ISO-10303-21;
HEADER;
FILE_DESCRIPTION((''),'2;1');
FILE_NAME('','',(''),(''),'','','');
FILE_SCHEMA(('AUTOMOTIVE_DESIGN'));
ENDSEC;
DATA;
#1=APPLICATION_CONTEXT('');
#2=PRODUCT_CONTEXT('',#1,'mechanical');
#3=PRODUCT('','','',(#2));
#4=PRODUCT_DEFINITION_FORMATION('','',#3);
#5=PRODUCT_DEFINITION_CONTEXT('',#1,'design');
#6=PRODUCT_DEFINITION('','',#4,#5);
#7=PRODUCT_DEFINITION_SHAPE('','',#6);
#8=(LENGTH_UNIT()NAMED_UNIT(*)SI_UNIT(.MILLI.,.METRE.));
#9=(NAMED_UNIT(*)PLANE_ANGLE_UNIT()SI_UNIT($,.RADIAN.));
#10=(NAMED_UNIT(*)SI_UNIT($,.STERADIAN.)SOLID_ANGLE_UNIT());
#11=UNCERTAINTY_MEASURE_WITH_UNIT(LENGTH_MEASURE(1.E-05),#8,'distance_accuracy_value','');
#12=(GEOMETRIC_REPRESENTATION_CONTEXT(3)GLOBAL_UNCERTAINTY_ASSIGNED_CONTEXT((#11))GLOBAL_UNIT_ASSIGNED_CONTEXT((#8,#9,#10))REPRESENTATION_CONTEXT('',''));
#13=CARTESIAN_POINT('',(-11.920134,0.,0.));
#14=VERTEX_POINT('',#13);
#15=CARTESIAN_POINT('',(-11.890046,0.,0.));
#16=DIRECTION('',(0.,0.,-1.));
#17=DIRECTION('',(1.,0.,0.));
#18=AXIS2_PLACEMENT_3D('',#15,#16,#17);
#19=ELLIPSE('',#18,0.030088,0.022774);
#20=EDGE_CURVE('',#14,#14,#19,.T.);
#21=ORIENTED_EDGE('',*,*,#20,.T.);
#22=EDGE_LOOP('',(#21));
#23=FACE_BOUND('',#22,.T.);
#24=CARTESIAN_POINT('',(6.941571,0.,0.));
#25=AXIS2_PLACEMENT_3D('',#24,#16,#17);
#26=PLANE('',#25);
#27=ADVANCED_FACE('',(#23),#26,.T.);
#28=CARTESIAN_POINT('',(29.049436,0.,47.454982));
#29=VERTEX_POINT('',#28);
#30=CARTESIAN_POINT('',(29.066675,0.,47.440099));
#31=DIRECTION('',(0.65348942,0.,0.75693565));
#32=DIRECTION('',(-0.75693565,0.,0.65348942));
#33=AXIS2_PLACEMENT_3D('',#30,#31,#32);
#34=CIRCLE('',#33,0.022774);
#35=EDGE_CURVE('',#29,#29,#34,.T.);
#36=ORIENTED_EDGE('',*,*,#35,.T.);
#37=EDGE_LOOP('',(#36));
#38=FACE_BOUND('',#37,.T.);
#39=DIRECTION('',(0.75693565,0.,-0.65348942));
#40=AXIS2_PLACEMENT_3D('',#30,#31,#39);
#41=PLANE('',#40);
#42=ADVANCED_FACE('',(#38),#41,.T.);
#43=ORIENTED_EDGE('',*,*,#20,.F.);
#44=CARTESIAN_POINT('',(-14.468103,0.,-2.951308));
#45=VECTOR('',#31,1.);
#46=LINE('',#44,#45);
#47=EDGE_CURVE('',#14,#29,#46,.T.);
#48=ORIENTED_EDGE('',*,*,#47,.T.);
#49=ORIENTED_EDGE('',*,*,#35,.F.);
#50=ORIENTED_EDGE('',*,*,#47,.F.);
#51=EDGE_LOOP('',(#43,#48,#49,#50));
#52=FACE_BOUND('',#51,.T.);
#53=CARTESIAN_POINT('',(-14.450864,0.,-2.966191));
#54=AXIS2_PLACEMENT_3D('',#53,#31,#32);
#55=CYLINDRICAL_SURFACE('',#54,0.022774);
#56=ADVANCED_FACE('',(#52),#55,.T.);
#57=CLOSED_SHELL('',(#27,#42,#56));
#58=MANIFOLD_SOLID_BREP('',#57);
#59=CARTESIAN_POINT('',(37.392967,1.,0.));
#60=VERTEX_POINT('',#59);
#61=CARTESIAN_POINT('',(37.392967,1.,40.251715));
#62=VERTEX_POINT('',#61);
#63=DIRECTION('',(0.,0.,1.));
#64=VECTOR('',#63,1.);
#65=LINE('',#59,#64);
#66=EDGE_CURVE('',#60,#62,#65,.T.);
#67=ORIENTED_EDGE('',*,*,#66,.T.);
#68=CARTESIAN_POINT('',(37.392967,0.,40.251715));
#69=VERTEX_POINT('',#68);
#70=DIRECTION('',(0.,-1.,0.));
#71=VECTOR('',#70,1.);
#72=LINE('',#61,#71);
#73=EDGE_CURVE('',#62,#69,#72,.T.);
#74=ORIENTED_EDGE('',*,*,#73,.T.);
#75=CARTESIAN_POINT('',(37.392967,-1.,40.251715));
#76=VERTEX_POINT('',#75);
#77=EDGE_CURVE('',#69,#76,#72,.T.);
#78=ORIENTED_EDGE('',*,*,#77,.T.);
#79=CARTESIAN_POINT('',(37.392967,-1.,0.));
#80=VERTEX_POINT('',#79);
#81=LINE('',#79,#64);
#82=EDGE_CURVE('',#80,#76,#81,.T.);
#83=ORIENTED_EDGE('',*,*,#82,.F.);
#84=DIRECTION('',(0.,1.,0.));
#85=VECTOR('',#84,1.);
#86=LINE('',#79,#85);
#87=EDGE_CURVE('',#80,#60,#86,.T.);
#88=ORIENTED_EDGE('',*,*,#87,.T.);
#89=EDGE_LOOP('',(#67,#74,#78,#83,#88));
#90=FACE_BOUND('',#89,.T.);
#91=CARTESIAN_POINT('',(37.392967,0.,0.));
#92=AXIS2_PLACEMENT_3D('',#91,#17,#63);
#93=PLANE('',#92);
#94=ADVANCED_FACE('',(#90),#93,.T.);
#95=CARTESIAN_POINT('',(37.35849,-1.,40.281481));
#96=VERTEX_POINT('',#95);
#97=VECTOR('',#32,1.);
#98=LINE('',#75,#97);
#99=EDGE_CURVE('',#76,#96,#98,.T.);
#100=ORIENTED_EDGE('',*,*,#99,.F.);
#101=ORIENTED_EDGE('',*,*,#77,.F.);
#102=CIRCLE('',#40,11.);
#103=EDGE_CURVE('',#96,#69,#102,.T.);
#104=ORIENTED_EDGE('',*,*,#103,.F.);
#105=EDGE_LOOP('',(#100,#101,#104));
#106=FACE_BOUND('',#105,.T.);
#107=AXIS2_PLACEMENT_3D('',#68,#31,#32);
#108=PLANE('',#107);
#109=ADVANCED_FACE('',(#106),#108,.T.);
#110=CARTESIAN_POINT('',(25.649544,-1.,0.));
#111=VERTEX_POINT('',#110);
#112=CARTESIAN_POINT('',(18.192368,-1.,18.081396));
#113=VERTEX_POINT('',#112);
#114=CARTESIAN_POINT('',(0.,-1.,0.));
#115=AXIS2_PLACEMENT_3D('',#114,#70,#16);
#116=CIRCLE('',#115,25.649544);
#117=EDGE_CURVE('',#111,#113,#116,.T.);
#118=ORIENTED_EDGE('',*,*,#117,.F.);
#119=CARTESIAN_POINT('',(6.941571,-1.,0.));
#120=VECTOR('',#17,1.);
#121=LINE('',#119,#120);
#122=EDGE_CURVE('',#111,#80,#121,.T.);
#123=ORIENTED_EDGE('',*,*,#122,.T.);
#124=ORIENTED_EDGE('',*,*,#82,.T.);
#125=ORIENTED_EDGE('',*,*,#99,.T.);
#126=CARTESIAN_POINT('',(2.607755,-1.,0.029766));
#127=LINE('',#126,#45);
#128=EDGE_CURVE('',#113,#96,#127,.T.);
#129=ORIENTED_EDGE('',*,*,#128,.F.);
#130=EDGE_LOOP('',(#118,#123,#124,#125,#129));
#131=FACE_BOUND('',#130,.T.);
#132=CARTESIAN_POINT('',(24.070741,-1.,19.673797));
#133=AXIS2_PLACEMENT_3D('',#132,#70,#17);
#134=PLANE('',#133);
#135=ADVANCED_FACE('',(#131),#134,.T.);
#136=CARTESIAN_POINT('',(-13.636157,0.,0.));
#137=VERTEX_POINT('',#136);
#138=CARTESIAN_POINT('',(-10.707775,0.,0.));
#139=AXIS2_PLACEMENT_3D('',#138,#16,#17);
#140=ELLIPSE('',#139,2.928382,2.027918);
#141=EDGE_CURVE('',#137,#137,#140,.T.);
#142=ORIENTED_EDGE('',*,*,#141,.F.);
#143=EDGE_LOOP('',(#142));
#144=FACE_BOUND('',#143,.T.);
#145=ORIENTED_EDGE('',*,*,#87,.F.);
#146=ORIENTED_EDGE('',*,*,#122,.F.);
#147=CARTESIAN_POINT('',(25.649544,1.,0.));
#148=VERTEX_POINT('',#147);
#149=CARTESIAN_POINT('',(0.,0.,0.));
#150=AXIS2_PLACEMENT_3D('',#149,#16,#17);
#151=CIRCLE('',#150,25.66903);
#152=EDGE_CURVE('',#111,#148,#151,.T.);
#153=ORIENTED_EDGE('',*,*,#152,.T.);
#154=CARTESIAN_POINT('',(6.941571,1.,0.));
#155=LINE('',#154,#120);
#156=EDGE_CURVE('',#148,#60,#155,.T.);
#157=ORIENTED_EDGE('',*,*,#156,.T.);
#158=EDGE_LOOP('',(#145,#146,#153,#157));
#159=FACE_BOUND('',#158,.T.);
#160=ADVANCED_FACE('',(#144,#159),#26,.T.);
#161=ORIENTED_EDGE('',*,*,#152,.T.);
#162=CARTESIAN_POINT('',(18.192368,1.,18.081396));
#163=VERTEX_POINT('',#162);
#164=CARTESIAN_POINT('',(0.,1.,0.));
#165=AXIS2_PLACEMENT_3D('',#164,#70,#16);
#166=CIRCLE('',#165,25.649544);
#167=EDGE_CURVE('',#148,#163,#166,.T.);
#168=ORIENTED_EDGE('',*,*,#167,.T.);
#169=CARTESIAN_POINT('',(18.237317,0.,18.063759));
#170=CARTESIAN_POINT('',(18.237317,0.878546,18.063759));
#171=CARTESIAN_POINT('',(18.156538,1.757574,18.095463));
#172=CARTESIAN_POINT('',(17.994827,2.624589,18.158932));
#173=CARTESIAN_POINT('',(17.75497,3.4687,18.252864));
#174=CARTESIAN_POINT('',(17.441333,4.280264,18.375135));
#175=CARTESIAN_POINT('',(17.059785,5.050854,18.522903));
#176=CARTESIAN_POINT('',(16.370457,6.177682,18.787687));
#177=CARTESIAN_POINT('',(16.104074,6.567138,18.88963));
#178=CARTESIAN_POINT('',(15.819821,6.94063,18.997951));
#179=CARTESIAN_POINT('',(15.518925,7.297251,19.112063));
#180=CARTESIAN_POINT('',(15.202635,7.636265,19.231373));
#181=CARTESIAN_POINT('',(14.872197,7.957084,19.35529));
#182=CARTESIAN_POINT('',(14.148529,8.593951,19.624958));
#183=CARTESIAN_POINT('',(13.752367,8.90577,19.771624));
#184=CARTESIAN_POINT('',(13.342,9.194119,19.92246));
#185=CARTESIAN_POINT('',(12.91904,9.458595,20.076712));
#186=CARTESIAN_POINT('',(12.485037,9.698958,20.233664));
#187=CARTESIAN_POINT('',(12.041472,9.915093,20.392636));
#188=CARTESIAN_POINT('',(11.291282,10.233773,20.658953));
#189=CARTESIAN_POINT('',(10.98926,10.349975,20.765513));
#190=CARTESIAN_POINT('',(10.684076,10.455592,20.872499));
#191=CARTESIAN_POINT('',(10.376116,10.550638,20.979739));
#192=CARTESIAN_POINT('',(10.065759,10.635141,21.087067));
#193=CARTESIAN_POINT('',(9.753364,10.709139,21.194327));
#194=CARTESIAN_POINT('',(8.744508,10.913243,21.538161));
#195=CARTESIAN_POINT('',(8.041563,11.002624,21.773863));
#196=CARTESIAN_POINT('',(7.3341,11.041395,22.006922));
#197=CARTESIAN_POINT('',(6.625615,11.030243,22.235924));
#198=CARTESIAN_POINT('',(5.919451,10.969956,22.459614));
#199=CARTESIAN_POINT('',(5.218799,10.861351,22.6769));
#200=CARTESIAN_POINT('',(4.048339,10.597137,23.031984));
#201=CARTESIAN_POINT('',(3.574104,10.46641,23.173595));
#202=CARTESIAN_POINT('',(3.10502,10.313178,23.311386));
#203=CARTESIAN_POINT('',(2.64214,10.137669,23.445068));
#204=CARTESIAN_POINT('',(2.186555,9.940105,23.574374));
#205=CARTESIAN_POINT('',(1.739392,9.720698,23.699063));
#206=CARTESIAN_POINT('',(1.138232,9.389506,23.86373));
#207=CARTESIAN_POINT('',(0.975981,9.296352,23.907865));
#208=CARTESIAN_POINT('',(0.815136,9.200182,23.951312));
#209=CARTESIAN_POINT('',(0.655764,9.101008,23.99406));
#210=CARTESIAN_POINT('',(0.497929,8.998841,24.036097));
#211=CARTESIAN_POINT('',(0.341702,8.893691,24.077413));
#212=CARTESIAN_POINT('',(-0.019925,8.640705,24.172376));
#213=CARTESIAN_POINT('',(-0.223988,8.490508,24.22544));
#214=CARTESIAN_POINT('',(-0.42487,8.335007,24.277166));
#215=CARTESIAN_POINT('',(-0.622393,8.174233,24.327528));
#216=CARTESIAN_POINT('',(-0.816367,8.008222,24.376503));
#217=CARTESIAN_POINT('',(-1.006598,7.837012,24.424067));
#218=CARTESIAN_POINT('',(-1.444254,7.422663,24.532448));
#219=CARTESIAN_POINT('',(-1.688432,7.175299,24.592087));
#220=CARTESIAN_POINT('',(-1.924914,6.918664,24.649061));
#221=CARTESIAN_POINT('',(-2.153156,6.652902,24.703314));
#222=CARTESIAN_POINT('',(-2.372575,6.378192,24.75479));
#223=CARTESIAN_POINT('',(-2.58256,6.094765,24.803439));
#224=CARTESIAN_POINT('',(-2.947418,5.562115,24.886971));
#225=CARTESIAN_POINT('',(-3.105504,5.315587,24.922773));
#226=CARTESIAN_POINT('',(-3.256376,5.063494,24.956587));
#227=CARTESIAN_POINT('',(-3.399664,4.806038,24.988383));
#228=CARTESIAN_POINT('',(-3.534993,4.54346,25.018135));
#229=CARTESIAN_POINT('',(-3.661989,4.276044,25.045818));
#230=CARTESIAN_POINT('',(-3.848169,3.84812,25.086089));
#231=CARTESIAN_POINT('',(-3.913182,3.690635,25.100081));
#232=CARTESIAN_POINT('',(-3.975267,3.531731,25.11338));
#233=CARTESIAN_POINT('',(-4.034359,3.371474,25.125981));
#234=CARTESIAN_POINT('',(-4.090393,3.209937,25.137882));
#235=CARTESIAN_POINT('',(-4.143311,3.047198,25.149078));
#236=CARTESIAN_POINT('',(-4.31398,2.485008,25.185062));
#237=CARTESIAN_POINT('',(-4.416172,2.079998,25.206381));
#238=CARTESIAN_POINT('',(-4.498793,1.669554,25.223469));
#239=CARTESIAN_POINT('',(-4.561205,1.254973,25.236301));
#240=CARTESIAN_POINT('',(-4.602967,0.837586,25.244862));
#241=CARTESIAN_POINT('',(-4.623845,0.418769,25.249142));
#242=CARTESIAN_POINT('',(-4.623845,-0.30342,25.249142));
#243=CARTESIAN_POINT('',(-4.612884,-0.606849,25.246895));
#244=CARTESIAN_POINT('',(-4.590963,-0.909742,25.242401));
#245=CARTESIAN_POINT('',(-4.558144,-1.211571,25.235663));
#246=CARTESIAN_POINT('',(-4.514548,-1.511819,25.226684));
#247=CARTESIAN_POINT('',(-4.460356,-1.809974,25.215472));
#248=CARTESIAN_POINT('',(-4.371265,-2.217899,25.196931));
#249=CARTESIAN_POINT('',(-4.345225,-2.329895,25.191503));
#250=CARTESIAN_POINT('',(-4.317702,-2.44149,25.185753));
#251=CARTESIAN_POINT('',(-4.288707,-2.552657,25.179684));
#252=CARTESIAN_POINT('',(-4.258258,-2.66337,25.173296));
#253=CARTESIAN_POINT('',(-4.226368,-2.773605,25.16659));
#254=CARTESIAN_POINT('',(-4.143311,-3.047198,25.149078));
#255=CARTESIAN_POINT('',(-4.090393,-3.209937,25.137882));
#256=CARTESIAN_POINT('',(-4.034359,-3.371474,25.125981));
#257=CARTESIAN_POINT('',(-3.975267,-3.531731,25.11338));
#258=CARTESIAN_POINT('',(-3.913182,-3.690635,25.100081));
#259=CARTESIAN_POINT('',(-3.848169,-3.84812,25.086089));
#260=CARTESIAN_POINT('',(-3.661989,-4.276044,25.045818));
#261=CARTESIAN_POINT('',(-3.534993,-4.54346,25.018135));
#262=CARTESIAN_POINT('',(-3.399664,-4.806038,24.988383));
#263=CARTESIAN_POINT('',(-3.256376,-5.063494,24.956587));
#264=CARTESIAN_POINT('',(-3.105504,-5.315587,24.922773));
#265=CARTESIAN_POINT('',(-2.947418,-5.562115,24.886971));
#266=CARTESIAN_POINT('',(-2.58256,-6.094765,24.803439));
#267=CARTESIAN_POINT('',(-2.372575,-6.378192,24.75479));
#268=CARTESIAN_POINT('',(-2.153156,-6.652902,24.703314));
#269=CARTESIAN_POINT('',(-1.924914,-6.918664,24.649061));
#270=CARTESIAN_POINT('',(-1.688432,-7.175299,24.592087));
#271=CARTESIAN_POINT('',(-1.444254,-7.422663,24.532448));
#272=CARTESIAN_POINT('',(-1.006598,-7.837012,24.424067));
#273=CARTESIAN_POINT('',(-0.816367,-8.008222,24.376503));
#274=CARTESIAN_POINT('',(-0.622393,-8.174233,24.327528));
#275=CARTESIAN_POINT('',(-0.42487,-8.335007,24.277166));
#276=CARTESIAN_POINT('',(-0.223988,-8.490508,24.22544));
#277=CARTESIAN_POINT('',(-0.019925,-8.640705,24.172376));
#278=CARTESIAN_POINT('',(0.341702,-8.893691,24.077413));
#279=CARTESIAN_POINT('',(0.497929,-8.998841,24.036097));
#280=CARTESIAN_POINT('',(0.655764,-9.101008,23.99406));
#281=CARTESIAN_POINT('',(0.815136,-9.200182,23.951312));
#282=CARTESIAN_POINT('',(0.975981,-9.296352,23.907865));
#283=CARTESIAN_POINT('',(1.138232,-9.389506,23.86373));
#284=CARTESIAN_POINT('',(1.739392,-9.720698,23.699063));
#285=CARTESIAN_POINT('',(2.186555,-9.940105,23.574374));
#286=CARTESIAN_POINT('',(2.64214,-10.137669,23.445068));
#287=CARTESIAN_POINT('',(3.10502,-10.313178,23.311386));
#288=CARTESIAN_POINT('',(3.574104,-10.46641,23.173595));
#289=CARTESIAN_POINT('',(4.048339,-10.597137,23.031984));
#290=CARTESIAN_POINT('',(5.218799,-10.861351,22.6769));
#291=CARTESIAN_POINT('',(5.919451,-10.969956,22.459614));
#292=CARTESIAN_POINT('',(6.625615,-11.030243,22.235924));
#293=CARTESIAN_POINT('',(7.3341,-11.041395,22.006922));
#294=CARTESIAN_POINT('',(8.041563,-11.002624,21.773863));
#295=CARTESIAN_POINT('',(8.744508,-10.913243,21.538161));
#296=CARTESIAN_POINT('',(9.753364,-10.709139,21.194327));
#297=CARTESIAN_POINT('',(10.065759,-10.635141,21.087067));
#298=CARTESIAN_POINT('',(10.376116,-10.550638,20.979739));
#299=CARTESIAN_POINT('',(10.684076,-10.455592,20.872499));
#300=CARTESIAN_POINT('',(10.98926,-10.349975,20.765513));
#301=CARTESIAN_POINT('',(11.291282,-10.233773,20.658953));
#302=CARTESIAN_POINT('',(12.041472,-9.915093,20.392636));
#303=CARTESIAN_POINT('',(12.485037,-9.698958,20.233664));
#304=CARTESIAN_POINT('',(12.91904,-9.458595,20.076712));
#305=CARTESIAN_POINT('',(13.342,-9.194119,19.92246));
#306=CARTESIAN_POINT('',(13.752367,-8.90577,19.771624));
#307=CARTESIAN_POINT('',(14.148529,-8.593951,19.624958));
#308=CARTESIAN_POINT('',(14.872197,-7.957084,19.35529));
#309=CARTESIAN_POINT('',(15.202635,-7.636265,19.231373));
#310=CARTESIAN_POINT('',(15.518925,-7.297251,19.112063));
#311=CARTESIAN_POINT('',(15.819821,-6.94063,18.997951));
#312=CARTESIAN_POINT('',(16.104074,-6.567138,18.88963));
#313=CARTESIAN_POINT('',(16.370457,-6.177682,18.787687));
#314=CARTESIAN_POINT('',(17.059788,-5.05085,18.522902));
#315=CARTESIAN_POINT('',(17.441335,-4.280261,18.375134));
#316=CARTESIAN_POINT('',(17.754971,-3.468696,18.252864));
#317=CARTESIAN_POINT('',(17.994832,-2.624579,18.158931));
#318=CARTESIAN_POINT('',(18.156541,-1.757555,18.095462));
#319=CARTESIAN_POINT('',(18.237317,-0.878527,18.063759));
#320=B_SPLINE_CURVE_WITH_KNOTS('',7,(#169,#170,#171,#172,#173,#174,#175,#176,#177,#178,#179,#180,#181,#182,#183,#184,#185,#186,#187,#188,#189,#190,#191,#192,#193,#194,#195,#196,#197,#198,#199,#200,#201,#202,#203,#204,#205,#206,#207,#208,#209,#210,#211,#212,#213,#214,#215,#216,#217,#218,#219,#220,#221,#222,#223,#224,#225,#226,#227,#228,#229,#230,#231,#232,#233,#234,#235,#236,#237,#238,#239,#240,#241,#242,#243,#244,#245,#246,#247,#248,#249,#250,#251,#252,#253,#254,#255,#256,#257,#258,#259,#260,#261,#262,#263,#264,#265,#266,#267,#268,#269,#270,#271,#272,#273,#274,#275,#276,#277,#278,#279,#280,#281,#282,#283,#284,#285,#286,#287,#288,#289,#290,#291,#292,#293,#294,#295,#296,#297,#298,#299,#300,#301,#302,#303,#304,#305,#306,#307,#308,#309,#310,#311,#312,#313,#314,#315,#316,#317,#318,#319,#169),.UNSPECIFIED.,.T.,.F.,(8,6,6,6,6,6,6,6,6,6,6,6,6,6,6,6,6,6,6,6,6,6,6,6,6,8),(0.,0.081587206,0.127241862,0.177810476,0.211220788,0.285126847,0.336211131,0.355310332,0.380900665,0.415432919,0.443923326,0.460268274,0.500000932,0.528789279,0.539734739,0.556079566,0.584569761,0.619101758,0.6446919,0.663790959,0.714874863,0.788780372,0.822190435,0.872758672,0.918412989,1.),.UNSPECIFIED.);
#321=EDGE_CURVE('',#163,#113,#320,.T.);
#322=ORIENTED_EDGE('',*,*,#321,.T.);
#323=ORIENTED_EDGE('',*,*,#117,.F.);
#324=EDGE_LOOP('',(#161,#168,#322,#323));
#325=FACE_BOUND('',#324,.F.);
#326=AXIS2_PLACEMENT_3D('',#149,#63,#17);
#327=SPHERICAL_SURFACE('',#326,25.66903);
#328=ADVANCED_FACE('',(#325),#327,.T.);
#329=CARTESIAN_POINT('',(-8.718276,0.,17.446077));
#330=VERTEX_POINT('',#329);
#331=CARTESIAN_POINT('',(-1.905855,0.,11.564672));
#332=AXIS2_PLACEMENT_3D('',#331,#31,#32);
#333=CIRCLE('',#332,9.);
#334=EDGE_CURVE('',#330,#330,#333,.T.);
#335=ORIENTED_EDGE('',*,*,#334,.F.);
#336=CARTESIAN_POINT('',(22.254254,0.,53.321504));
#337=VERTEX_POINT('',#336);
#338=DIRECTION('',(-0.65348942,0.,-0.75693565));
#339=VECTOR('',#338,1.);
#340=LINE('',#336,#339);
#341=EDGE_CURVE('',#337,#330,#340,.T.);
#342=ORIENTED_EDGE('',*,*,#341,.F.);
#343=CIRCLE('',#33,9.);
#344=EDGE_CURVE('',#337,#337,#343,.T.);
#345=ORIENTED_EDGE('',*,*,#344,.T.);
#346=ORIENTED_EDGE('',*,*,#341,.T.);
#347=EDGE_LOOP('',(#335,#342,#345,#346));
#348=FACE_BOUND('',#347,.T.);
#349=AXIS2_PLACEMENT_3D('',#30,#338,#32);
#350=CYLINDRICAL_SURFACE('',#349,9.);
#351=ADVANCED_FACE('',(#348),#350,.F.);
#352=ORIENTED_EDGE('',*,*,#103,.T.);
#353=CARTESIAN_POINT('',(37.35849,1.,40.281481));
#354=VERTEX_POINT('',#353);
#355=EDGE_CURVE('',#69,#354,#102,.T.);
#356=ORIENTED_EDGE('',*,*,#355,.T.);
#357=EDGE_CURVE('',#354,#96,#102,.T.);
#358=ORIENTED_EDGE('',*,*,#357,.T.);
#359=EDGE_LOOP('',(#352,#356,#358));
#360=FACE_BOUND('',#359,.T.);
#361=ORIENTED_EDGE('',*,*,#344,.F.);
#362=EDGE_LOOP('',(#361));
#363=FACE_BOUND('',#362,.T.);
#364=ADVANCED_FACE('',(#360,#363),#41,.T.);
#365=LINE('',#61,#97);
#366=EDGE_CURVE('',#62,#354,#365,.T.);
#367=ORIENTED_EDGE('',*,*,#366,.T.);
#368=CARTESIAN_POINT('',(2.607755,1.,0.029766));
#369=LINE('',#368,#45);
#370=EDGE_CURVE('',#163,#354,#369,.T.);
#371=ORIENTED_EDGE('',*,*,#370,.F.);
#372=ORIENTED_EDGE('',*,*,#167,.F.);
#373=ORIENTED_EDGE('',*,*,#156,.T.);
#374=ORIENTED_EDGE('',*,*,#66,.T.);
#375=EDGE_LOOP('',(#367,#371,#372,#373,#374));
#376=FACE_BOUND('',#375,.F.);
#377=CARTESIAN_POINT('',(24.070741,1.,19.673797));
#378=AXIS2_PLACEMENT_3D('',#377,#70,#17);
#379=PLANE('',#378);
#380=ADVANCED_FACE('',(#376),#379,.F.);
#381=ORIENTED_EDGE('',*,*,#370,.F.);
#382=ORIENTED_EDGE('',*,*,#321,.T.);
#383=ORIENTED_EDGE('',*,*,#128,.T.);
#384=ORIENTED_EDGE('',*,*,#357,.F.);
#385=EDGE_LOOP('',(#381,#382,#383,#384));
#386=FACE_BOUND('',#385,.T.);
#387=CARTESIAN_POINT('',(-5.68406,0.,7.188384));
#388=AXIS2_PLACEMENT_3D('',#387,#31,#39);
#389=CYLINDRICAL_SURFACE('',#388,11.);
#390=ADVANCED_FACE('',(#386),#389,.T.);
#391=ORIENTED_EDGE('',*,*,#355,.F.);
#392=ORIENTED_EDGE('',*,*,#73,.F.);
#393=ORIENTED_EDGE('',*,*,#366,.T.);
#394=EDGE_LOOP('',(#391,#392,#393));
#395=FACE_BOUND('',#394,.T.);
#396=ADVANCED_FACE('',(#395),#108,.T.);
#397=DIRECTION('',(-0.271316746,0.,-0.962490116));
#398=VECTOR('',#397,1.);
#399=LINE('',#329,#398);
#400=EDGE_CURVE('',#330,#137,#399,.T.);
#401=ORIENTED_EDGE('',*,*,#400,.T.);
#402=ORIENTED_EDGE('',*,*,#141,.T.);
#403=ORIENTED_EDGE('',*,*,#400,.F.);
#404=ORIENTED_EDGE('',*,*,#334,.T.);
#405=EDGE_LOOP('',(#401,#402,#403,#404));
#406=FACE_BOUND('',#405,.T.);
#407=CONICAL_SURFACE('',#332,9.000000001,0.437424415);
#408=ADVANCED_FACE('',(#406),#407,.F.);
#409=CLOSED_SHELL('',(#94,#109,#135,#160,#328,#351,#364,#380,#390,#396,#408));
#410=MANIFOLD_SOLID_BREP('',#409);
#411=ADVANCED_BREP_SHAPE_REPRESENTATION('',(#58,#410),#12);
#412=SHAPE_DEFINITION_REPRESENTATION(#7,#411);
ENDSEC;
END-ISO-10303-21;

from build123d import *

# Parameters (mm, degrees)
F5_DEPTH = 1


with BuildPart() as f1:
    # F0 (on Front) → F1 (revolve)
    with BuildSketch(Plane.XZ):
        Polygon((-5.6840596146, 7.1883836194), (2.6422325338, 0), (37.392967316, 40.2517151959), (29.0666751676, 47.4400988153), align=None)
    revolve(axis=Axis((11.6913077765, 0, 27.3142412174), (0.6534894199, 0, 0.7569356499)))

    # F2 (on Front) → F3 (revolve)
    with BuildSketch(Plane.XZ):
        with BuildLine():
            ThreePointArc((25.6690302655, 0), (18.1507453672, 18.1507453672), (0, 25.6690302655))
            Line((0, 25.6690302655), (0, 0))
            Line((0, 0), (25.6690302655, 0))
        make_face()
    revolve(axis=Axis((0, 0, 12.8345151327), (0, 0, -1)))

    # F4 (on Front) → F5 (join, symmetric)
    with BuildSketch(Plane.XZ):
        Polygon((37.392967316, 0), (37.392967316, 40.2517151959), (29.0666751676, 47.4400988153), (6.9415707712, 21.8126291683), (6.9415707712, 0), (25.6690302655, 0), align=None)
    extrude(amount=F5_DEPTH, both=True)

    # F6 (on Front) → F7 (revolve, cut)
    with BuildSketch(Plane.XZ):
        Polygon((-14.4681027808, -2.9513076979), (29.0494363935, 47.454981661), (22.254254319, 53.3215035948), (-8.7182755037, 17.4460765821), align=None)
    revolve(axis=Axis((11.6913077765, 0, 27.3142412174), (0.6534894199, 0, 0.7569356499)), mode=Mode.SUBTRACT)


solid = f1.part
